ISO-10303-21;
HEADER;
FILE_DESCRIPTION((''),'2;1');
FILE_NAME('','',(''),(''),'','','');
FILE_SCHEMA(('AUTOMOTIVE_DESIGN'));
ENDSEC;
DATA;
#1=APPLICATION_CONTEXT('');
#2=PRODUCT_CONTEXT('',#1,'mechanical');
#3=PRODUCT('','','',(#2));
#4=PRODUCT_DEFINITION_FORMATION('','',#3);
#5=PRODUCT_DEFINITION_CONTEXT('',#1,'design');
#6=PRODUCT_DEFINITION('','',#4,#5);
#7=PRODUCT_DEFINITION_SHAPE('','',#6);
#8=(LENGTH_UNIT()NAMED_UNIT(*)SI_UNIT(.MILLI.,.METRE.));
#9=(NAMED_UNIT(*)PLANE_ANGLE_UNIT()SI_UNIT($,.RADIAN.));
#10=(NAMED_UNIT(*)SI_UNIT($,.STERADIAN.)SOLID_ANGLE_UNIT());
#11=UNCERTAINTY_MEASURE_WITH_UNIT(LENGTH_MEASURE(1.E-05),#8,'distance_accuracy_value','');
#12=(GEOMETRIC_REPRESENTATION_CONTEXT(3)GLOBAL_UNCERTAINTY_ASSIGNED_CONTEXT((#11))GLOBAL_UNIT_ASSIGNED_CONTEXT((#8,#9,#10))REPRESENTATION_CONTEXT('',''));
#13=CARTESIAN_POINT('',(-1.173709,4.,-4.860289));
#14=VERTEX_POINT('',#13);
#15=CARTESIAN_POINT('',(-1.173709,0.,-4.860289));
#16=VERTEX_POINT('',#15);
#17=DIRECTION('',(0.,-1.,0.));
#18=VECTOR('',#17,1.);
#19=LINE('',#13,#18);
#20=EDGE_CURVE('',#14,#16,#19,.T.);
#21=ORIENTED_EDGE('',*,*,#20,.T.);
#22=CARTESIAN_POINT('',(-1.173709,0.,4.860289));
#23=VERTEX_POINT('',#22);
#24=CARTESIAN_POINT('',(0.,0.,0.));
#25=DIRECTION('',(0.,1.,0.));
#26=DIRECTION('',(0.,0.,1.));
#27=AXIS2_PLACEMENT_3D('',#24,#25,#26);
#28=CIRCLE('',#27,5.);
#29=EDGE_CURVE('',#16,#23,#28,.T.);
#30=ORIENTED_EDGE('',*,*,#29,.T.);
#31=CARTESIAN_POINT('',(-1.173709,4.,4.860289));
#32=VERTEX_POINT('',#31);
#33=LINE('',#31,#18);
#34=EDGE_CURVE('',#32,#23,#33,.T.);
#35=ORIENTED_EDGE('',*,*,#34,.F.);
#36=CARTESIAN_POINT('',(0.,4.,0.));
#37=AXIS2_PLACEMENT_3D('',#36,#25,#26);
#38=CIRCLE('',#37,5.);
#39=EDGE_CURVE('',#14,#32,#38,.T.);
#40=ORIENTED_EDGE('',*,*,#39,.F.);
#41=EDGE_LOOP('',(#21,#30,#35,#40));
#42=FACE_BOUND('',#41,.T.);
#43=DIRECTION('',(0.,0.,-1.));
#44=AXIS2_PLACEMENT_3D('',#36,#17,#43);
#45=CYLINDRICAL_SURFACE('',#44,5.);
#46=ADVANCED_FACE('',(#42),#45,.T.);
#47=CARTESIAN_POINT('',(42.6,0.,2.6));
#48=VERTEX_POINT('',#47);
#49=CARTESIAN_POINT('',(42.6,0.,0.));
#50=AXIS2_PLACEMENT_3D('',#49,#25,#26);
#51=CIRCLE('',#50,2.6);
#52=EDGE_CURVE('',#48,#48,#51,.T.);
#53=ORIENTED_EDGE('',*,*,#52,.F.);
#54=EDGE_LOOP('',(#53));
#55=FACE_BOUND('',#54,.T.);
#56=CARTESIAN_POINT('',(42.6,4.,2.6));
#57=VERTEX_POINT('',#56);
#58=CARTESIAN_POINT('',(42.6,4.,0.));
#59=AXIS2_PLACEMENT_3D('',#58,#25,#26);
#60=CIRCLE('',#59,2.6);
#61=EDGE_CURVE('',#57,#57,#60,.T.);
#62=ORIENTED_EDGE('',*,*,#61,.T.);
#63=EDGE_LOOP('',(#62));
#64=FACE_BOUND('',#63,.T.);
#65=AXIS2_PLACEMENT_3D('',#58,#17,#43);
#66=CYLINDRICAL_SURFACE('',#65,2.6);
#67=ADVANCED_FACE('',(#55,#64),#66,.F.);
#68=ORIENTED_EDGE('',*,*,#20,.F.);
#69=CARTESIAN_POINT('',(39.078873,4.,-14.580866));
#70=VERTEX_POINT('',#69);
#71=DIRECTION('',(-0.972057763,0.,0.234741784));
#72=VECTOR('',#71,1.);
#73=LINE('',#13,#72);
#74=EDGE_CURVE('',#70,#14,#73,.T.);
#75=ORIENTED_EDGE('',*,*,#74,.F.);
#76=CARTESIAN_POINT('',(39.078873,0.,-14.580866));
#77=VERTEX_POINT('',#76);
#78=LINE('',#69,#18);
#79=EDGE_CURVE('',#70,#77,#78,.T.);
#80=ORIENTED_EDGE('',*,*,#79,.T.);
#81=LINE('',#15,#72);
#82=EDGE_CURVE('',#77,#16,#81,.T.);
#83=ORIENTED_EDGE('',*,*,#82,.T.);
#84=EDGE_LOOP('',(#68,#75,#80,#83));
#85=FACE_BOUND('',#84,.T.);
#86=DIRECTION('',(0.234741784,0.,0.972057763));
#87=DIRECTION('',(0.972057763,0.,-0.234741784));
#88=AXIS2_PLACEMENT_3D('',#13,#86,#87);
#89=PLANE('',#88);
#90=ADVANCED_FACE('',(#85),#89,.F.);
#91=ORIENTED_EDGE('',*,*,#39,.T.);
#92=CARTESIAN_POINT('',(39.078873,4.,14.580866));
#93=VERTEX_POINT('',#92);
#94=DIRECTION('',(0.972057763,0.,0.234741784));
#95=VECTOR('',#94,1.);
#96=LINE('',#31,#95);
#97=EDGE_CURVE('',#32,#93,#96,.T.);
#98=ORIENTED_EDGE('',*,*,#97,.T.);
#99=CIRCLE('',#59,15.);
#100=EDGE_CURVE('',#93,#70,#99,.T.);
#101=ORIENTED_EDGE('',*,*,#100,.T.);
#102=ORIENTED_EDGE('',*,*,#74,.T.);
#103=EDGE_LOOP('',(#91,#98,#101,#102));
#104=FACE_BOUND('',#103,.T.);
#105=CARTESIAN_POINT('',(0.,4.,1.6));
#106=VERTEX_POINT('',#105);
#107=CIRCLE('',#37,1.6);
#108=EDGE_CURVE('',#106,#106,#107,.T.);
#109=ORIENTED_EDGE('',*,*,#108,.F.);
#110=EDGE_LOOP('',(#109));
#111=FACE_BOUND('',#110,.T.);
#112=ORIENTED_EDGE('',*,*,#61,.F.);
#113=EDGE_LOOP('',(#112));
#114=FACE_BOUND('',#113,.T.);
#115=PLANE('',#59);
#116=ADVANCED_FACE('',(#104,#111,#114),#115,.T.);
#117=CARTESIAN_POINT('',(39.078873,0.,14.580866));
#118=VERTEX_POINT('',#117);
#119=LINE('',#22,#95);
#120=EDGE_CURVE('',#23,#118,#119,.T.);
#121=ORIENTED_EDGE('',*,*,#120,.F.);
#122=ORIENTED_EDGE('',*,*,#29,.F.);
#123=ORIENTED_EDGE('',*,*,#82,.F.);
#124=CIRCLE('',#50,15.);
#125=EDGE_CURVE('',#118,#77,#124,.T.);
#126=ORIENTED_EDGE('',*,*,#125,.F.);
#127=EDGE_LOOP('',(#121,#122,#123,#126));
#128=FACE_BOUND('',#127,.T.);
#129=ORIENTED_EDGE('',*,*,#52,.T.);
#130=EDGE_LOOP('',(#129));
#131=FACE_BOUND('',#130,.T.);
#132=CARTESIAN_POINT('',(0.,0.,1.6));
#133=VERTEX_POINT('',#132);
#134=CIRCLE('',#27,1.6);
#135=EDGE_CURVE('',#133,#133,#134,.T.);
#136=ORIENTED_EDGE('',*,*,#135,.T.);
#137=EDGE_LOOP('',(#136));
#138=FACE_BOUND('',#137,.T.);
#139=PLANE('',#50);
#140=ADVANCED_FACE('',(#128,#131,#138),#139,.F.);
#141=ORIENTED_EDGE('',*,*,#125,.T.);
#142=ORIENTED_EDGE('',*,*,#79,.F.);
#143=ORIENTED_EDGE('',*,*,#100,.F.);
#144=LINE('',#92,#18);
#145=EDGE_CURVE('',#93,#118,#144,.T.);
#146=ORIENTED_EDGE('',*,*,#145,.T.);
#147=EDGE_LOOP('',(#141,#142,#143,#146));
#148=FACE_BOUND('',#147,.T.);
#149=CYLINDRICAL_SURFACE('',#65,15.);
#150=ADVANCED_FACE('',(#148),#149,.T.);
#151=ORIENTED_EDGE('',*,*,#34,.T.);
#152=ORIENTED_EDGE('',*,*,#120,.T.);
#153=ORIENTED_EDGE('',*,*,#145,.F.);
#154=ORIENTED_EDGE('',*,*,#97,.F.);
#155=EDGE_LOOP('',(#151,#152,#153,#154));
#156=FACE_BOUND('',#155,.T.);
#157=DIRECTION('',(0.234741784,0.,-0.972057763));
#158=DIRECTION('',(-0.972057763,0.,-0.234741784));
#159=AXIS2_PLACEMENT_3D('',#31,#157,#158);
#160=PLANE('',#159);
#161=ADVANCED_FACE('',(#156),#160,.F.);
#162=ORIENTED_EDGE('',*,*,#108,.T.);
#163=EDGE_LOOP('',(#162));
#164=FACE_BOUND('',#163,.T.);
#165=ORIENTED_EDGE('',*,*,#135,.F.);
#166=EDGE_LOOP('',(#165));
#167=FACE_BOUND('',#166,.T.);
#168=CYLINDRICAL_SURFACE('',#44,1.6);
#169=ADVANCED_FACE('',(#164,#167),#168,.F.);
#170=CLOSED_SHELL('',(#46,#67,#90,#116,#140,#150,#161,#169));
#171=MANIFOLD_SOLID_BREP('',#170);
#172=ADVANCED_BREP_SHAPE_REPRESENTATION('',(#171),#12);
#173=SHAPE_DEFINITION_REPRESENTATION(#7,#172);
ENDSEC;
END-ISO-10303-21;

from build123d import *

# Parameters (mm, degrees)
SKETCH_1_R      = 1.6
SKETCH_1_R_2    = 2.6
EXTRUDE_1_DEPTH = 4


with BuildPart() as part:
    # ｽｹｯﾁ1 → ﾎﾞｽ - 押し出し1 (new body)
    with BuildSketch(Plane(origin=(0, 0, 0), x_dir=(1, 0, 0), z_dir=(0, 1, 0))):
        with BuildLine():
            Line((-1.17370892, -4.860288816), (39.078873239, -14.580866447))
            ThreePointArc((39.078873239, -14.580866447), (57.6, 0), (39.078873239, 14.580866447))
            Line((39.078873239, 14.580866447), (-1.17370892, 4.860288816))
            ThreePointArc((-1.17370892, 4.860288816), (-5, 0), (-1.17370892, -4.860288816))
        make_face()
        with Locations(Location((0, 0, 0), (0, 0, 270))):
            Circle(SKETCH_1_R, mode=Mode.SUBTRACT)
        with Locations(Location((42.6, 0, 0), (0, 0, 270))):
            Circle(SKETCH_1_R_2, mode=Mode.SUBTRACT)
    extrude(amount=EXTRUDE_1_DEPTH)


solid = part.part
